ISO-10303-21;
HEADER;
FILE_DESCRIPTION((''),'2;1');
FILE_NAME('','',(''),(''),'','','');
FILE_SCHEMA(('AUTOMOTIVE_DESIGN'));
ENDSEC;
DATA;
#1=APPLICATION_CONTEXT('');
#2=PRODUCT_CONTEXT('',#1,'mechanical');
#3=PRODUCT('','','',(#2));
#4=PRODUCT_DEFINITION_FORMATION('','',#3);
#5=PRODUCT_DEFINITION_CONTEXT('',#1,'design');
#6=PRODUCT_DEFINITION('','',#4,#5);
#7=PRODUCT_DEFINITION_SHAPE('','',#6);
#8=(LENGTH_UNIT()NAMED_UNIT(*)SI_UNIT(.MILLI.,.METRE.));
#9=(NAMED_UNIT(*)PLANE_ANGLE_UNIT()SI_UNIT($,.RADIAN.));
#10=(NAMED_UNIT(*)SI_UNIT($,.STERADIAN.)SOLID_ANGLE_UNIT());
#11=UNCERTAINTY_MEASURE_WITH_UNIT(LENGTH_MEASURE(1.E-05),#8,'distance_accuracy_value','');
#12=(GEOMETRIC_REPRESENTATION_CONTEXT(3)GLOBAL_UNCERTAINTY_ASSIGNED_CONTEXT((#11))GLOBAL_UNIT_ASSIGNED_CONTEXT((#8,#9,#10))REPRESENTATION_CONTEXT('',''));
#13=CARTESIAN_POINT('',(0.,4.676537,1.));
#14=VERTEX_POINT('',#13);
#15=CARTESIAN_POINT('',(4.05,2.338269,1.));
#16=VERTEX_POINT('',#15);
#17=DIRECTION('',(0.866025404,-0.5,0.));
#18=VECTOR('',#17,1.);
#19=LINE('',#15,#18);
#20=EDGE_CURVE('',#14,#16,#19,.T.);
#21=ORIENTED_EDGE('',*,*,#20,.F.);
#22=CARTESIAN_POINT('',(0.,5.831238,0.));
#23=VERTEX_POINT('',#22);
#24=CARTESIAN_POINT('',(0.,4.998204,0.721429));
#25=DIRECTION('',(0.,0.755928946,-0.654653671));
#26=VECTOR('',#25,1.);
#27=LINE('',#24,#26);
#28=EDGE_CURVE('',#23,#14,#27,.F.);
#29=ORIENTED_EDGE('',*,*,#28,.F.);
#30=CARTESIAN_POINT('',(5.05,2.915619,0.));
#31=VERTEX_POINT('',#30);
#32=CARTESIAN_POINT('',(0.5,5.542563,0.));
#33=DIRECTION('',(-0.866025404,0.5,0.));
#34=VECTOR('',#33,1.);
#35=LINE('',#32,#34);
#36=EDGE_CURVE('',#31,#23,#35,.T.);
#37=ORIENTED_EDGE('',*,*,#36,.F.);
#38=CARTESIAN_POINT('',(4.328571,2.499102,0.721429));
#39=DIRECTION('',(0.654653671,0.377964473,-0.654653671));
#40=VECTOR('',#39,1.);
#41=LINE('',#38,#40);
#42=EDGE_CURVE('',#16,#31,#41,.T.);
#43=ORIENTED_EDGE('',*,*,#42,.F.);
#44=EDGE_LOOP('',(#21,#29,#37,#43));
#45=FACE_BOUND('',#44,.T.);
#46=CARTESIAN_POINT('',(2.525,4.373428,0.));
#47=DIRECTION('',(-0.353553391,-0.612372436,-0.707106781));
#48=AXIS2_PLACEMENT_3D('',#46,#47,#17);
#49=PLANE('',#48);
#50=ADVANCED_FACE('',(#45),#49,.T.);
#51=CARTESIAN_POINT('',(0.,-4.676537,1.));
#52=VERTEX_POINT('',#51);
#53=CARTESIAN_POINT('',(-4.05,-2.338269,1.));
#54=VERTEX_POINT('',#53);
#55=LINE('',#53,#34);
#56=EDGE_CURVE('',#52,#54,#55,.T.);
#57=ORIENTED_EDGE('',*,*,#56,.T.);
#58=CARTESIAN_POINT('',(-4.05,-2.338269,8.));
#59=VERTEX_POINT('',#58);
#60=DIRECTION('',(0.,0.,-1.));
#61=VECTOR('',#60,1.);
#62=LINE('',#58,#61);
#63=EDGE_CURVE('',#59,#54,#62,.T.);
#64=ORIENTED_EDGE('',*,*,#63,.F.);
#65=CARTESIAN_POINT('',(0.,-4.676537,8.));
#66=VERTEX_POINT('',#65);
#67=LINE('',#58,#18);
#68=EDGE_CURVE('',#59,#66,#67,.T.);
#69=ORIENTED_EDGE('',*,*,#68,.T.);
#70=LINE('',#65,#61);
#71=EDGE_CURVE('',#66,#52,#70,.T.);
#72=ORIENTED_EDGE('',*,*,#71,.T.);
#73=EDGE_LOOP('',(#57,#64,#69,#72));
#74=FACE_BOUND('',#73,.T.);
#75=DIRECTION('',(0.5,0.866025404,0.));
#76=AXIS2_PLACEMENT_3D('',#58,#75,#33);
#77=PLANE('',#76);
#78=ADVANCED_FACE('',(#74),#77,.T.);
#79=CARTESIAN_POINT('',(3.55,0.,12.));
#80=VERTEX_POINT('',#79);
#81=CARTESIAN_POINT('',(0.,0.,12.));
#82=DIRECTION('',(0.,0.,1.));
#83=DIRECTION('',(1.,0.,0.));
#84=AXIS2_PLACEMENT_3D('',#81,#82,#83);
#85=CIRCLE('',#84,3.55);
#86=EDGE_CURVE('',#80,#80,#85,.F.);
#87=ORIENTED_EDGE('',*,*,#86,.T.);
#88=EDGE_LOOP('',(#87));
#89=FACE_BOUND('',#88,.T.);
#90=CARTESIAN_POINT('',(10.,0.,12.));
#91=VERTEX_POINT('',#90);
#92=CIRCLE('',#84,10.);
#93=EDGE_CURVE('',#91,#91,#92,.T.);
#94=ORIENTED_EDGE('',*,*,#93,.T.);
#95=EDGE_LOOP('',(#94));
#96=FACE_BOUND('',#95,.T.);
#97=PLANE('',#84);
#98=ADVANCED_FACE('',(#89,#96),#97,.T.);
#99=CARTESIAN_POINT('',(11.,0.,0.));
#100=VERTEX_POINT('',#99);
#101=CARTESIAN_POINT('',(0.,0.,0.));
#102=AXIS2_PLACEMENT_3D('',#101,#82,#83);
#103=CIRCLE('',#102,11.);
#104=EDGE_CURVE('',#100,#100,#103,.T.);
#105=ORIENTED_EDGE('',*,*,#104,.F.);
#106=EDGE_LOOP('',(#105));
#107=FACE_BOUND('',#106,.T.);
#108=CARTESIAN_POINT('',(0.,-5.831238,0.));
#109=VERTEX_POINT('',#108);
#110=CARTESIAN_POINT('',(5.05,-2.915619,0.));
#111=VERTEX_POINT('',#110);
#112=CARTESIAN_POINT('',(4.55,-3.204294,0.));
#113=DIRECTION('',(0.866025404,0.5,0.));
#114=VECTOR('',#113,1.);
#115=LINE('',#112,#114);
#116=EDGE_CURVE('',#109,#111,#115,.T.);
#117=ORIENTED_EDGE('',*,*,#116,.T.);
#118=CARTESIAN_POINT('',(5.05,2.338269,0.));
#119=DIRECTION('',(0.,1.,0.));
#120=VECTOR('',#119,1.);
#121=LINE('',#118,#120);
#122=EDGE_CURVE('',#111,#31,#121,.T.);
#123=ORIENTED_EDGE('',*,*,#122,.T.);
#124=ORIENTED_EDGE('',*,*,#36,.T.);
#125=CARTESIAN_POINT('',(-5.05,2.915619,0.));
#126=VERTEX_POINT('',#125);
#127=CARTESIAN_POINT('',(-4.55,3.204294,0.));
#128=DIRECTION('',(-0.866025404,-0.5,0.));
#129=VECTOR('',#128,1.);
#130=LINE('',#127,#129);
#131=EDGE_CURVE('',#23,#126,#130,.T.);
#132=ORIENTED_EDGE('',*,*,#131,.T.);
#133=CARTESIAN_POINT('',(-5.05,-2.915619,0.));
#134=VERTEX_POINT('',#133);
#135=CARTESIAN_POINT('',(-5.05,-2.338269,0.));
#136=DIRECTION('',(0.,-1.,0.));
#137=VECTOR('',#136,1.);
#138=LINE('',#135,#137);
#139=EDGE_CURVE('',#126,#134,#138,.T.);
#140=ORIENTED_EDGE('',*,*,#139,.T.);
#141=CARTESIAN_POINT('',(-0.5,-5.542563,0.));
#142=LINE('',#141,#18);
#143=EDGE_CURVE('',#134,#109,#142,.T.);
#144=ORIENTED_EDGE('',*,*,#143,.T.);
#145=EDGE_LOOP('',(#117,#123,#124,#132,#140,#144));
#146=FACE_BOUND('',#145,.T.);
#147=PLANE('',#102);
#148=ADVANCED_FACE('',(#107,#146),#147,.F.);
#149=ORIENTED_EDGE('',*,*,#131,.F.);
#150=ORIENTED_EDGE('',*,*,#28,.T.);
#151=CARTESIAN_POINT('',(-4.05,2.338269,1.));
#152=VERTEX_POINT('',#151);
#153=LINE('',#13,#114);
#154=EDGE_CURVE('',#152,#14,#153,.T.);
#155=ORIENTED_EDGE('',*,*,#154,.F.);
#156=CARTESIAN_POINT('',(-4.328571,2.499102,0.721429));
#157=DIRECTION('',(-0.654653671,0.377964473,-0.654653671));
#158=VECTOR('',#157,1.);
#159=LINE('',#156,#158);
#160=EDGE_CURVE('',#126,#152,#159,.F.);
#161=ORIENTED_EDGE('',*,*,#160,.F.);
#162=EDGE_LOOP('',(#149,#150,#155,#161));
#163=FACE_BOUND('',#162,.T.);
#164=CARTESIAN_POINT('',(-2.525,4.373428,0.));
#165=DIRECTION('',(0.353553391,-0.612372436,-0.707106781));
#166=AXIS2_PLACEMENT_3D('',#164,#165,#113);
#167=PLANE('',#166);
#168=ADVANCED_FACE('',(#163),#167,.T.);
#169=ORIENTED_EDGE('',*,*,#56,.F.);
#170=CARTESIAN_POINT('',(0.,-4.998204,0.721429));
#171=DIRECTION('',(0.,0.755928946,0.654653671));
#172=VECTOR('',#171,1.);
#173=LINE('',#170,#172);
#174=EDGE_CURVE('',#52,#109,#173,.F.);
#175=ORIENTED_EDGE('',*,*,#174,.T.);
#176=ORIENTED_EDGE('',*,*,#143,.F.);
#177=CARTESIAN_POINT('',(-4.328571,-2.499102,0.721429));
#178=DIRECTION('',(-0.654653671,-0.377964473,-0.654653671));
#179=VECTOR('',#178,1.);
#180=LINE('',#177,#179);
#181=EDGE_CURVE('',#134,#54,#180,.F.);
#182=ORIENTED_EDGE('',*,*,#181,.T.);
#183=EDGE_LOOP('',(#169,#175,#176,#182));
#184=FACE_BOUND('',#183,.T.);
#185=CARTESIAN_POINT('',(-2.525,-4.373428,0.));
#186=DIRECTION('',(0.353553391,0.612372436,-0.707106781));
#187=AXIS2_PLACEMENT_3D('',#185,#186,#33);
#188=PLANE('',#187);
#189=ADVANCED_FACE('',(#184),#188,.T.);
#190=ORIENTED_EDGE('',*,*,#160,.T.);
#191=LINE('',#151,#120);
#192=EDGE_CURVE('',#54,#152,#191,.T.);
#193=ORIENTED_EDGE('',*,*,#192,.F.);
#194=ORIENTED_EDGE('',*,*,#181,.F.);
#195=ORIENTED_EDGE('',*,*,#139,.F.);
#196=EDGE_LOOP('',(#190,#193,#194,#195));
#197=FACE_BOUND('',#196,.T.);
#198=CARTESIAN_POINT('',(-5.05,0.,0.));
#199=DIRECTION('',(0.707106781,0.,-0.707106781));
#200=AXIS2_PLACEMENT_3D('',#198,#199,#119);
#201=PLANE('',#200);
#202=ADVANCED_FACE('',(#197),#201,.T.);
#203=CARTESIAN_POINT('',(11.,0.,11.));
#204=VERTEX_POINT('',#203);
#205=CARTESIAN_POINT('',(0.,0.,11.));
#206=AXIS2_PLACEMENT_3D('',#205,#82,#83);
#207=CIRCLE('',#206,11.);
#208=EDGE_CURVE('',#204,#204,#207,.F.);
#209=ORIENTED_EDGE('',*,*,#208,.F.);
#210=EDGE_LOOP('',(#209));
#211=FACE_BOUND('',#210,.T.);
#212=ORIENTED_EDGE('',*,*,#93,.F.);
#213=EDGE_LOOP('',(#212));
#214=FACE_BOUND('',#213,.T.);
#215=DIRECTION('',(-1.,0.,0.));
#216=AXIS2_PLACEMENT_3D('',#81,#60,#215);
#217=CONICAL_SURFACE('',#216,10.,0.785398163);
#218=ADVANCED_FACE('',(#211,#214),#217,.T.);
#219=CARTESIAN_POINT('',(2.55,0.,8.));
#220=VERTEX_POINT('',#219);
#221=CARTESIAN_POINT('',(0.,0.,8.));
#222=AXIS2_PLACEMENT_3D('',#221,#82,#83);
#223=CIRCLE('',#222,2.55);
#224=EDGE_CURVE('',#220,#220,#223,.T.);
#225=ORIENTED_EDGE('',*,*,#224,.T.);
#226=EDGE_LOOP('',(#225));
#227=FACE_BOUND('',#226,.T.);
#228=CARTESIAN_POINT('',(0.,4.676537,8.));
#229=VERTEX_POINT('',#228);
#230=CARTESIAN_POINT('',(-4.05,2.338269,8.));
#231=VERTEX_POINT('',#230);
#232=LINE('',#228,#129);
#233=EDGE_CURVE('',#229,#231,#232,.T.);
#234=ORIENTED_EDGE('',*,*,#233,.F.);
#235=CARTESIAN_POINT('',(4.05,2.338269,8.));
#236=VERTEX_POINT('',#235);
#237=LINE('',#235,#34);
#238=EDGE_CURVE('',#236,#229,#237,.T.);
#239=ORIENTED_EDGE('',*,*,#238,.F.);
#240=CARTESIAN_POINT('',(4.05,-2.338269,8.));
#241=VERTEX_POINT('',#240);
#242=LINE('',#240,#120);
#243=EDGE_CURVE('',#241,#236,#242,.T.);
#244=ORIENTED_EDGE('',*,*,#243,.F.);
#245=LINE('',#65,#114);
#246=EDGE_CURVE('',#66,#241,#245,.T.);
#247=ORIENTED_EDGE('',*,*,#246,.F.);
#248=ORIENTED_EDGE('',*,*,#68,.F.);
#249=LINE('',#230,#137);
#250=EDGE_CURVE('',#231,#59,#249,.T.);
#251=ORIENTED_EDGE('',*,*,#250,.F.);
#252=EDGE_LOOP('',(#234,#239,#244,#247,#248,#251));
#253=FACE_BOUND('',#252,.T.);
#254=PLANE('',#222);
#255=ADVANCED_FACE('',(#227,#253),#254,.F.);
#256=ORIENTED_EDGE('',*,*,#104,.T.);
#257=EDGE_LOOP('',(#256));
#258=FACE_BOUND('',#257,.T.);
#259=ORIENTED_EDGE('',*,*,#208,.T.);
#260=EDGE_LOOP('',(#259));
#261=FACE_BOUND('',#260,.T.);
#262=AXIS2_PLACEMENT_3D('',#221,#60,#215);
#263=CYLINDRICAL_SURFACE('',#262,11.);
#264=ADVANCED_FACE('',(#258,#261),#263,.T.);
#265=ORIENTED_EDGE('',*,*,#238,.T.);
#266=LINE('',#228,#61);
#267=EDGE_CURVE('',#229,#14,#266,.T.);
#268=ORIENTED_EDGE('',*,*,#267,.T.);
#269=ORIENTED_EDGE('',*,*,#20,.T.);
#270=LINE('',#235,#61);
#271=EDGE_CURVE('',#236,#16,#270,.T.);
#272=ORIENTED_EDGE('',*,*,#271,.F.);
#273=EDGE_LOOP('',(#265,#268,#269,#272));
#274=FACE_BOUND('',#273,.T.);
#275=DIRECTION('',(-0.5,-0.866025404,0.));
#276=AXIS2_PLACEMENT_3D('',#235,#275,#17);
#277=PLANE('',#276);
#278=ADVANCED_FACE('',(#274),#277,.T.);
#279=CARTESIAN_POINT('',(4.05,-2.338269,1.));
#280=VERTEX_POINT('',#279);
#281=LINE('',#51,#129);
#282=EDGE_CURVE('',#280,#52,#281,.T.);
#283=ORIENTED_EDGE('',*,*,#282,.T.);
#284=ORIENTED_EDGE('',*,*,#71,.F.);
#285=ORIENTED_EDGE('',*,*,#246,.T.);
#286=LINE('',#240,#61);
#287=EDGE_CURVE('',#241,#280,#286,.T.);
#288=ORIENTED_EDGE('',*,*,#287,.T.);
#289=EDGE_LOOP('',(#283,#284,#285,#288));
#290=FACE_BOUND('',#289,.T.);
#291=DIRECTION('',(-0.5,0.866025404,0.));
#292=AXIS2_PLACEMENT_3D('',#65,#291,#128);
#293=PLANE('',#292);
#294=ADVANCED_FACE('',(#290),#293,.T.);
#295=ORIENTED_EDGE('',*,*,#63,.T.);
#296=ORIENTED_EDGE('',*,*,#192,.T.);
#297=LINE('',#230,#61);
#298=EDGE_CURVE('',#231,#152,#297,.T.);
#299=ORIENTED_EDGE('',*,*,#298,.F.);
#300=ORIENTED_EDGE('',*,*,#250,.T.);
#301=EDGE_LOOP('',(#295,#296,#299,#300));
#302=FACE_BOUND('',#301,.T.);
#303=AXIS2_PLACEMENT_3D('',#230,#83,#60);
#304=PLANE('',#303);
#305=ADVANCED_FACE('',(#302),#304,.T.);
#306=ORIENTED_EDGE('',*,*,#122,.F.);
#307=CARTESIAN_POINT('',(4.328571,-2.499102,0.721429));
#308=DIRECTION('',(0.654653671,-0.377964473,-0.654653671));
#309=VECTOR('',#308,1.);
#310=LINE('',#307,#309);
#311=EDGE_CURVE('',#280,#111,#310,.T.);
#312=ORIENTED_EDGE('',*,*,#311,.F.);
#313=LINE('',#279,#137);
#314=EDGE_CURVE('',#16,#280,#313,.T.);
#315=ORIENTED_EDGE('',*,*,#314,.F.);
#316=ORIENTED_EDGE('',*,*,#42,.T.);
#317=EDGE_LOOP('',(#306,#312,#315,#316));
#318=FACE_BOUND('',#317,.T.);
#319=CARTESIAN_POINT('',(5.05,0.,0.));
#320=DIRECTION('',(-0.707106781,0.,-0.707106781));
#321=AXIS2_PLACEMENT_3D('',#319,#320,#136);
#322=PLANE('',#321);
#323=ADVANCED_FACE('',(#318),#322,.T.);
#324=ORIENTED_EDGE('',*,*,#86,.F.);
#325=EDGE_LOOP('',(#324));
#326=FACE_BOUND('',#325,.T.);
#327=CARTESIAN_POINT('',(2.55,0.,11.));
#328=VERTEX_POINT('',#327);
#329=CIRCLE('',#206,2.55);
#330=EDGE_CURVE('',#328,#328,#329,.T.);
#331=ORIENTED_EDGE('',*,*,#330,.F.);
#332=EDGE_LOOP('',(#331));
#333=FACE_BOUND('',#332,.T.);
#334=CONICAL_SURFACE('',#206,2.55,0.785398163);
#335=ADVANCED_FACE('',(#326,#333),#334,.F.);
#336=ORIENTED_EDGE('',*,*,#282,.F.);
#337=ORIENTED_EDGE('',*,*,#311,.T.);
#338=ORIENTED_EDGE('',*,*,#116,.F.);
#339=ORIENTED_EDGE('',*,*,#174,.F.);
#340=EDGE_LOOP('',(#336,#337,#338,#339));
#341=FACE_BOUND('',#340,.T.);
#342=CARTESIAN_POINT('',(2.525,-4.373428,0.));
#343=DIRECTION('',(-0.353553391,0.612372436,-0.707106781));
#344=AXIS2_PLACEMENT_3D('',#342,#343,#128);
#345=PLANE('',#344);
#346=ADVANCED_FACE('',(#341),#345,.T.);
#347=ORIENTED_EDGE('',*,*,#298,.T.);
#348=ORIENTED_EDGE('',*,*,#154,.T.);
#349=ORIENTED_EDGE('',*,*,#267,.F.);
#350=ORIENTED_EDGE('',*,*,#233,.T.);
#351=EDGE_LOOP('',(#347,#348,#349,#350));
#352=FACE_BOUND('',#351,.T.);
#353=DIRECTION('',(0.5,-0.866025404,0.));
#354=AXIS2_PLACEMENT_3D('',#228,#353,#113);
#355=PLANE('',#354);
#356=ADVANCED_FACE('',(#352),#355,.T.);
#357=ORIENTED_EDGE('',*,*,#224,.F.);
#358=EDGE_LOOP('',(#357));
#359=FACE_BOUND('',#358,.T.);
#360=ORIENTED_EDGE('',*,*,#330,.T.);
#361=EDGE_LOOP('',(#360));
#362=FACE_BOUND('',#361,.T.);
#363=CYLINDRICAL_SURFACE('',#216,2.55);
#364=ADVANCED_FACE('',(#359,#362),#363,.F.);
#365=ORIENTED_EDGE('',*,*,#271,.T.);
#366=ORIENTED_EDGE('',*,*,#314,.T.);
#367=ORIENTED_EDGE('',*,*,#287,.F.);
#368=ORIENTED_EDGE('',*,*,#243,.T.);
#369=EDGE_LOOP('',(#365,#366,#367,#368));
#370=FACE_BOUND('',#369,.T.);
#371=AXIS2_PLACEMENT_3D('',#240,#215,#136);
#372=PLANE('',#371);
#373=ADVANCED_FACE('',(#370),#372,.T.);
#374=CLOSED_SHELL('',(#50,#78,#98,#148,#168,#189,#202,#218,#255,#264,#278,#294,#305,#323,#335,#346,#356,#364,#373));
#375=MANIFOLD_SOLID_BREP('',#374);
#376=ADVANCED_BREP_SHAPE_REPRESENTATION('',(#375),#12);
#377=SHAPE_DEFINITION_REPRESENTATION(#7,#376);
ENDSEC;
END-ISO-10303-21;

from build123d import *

# Parameters (mm, degrees)
SKETCH1_R           = 11
BOSS_EXTRUDE1_DEPTH = 8
SKETCH2_R           = 11
SKETCH2_R_2         = 2.55
BOSS_EXTRUDE2_DEPTH = 4
CHAMFER1_SIZE       = 1


with BuildPart() as part:
    # Sketch1 → Boss-Extrude1 (new body)
    with BuildSketch(Plane.XY):
        Circle(SKETCH1_R)
        Polygon((4.05, 2.33826859), (0, 4.67653718), (-4.05, 2.33826859), (-4.05, -2.33826859), (0, -4.67653718), (4.05, -2.33826859), align=None, mode=Mode.SUBTRACT)
    extrude(amount=BOSS_EXTRUDE1_DEPTH)

    # Sketch2 → Boss-Extrude2 (add)
    with BuildSketch(Plane.XY.offset(8)):
        Circle(SKETCH2_R)
        Circle(SKETCH2_R_2, mode=Mode.SUBTRACT)
    extrude(amount=BOSS_EXTRUDE2_DEPTH)

    # Chamfer1
    chamfer1_edges = [part.edges().sort_by_distance(p)[0] for p in [
        (-2.025, 3.507402885, 0),
        (-4.05, 0, 0),
        (-2.025, -3.507402885, 0),
        (2.025, -3.507402885, 0),
        (-11, 0, 12),
        (-2.55, 0, 12),
        (4.05, 0, 0),
        (2.025, 3.507402885, 0),
    ]]
    chamfer(chamfer1_edges, length=CHAMFER1_SIZE)


solid = part.part
